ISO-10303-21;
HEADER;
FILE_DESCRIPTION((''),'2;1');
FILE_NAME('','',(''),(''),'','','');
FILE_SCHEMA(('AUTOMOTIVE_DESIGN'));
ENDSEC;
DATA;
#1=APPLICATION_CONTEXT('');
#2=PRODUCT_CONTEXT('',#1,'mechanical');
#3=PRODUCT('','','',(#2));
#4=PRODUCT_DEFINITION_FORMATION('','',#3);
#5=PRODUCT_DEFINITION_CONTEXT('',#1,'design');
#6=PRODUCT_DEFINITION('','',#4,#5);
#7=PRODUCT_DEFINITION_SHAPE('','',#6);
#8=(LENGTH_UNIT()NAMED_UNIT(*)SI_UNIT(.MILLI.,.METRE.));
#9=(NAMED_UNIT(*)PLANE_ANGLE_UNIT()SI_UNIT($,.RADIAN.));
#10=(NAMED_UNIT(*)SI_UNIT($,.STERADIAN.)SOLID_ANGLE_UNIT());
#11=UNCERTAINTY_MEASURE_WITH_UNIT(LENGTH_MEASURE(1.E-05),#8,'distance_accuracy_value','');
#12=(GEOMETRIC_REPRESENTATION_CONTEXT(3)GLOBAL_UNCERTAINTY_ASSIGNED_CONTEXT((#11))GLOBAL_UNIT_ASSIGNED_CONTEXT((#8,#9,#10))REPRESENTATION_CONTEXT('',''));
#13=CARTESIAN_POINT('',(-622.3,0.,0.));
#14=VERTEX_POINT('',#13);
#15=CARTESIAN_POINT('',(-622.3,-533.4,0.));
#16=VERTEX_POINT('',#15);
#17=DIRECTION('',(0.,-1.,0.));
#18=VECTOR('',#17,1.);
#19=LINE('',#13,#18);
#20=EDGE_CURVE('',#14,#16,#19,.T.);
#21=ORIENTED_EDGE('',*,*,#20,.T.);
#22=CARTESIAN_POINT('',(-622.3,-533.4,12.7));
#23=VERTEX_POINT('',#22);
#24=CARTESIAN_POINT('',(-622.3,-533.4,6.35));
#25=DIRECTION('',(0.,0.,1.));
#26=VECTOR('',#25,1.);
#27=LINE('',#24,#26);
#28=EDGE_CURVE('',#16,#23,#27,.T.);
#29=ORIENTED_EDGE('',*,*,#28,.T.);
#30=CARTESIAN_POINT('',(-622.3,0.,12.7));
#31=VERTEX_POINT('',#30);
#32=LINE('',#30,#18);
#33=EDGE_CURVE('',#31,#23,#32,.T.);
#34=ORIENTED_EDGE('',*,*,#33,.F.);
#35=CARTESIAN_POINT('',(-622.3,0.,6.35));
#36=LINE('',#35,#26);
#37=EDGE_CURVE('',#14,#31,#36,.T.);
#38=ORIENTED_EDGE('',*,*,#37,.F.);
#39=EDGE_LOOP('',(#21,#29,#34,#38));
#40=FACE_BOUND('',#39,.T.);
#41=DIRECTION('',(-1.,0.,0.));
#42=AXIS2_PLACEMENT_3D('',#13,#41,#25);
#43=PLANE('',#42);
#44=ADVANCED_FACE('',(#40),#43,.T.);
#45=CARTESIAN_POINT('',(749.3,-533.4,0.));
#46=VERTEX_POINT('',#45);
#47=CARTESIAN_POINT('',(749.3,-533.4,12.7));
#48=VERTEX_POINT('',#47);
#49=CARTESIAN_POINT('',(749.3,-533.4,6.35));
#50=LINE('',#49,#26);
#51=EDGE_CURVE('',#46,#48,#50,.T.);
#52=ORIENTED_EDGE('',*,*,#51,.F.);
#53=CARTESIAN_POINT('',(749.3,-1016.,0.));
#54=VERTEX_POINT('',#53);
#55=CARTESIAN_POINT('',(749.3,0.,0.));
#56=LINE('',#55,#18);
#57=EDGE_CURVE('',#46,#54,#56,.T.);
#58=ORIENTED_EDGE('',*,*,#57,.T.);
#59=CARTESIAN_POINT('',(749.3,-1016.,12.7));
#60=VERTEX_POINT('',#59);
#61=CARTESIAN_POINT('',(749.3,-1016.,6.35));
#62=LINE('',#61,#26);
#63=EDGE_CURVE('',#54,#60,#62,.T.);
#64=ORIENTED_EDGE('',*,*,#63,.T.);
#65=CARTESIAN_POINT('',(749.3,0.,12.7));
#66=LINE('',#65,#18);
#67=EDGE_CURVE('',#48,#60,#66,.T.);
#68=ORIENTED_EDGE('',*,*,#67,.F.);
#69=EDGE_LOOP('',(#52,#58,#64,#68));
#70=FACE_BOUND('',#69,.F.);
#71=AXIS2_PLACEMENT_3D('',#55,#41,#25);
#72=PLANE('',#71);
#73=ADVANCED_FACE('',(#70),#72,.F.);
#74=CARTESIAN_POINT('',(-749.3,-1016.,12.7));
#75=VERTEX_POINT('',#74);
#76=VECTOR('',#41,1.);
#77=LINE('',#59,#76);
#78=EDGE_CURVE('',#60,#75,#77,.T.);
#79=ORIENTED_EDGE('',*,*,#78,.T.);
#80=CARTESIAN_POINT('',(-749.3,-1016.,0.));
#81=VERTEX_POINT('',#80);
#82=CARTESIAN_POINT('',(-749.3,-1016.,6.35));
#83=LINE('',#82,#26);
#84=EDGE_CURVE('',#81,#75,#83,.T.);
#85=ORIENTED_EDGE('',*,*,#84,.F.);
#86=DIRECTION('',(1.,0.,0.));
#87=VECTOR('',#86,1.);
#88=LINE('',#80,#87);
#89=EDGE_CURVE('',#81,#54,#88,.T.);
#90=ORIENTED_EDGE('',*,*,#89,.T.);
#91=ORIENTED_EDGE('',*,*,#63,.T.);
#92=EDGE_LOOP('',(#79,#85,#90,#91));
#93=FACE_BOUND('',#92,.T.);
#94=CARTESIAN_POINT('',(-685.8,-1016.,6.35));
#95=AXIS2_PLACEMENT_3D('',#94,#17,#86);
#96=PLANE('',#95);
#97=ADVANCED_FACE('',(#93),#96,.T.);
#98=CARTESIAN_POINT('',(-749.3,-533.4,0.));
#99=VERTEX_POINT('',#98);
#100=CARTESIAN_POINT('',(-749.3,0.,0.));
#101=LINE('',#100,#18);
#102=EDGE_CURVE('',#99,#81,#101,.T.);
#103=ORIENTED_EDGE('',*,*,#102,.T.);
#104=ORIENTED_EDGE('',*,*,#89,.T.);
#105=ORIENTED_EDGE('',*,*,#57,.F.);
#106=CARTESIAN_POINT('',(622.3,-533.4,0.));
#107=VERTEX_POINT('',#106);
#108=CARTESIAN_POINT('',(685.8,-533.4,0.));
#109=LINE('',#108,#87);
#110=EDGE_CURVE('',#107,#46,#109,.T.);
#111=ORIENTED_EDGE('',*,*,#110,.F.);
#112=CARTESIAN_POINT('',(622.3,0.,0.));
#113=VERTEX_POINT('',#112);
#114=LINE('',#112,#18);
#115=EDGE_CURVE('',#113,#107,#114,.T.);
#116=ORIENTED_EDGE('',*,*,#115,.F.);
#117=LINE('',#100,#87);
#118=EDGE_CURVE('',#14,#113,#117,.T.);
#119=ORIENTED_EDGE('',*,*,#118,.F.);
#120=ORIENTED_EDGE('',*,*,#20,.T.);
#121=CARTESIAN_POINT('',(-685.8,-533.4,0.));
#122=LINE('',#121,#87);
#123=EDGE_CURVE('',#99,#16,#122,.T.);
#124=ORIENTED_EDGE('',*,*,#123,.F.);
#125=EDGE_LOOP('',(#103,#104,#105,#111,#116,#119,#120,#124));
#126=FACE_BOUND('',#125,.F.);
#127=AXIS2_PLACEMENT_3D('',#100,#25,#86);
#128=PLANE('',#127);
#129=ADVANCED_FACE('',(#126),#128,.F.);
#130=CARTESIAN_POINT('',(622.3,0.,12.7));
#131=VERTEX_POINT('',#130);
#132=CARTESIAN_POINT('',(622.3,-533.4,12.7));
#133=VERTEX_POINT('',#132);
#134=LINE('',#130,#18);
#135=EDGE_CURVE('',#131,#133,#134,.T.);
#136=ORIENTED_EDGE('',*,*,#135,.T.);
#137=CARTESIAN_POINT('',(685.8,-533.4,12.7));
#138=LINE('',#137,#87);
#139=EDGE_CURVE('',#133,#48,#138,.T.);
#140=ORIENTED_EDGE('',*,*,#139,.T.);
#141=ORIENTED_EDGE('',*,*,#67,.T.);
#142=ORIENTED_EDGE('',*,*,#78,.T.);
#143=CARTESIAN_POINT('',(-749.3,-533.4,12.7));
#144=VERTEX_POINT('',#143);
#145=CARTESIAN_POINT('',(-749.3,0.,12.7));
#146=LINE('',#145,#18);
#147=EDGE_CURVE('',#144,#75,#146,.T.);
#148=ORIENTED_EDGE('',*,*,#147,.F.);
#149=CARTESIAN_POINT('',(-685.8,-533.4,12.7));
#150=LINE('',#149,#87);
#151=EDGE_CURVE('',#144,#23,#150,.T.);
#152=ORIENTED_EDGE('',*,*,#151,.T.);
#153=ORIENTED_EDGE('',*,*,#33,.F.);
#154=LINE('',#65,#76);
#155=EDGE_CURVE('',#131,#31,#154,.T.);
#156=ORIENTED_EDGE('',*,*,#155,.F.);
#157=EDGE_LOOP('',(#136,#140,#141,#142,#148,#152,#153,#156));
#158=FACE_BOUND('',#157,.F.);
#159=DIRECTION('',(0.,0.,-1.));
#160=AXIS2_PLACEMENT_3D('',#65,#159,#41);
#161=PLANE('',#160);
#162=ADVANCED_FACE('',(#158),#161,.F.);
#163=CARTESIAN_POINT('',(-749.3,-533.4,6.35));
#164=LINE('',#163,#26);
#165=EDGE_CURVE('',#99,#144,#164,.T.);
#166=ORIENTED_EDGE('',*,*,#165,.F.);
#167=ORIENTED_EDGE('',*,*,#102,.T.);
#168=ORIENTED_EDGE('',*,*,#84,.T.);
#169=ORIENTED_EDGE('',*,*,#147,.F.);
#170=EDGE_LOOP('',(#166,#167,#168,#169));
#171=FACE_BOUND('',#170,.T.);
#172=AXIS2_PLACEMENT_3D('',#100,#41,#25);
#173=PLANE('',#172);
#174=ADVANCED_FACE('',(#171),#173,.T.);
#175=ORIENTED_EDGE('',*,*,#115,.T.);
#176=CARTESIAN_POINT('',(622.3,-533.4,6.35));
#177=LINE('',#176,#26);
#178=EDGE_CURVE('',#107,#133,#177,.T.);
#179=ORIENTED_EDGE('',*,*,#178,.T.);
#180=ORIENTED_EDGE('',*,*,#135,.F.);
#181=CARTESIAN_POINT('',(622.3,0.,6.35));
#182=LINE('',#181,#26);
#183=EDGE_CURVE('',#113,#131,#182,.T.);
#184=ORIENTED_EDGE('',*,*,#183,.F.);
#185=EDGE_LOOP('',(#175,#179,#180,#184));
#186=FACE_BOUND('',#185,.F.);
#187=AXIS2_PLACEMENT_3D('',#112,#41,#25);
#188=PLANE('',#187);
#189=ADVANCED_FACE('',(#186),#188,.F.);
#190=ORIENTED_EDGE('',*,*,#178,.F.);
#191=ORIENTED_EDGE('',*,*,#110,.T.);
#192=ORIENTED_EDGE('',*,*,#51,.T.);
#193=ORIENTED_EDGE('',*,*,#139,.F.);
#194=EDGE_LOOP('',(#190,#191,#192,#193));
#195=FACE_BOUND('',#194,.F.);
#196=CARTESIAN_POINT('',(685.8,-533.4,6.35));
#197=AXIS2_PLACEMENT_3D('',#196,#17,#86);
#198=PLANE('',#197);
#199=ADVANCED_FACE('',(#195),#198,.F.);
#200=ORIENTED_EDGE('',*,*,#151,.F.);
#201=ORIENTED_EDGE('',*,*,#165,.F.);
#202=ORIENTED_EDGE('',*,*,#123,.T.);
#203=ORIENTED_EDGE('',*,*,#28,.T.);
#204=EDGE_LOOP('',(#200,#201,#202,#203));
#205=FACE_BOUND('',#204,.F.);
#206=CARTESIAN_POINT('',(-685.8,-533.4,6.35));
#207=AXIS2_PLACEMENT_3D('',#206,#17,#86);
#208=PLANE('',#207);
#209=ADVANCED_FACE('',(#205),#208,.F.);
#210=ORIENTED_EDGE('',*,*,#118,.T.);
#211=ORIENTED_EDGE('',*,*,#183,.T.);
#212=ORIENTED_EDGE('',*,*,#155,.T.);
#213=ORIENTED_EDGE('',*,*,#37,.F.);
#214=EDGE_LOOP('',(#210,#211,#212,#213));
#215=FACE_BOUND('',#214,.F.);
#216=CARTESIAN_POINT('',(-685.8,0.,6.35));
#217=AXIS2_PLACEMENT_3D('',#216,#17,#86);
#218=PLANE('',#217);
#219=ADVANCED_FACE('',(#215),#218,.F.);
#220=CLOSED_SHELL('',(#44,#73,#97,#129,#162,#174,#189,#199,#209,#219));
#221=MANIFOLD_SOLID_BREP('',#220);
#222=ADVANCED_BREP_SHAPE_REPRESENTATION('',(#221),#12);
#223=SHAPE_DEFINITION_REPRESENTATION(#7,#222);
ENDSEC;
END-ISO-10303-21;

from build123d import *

# Parameters (mm, degrees)
F0_W     = 127
F0_H     = 12.7
F1_DEPTH = 1016
F2_DEPTH = 533.4


with BuildPart() as f1:
    # F0 (on Front) → F1 (new body)
    with BuildSketch(Plane.XZ):
        with Locations((-685.8, 6.35)):
            Rectangle(F0_W, F0_H)
        Polygon((-622.3, 0), (0, 0), (622.3, 0), (622.3, 12.7), (-622.3, 12.7), align=None)
        with Locations((685.8, 6.35)):
            Rectangle(F0_W, F0_H)
    extrude(amount=F1_DEPTH)

    # F0 (on Front) → F2 (cut)
    with BuildSketch(Plane.XZ):
        with Locations((-685.8, 6.35)):
            Rectangle(F0_W, F0_H)
        with Locations((685.8, 6.35)):
            Rectangle(F0_W, F0_H)
    extrude(amount=F2_DEPTH, mode=Mode.SUBTRACT)


solid = f1.part
